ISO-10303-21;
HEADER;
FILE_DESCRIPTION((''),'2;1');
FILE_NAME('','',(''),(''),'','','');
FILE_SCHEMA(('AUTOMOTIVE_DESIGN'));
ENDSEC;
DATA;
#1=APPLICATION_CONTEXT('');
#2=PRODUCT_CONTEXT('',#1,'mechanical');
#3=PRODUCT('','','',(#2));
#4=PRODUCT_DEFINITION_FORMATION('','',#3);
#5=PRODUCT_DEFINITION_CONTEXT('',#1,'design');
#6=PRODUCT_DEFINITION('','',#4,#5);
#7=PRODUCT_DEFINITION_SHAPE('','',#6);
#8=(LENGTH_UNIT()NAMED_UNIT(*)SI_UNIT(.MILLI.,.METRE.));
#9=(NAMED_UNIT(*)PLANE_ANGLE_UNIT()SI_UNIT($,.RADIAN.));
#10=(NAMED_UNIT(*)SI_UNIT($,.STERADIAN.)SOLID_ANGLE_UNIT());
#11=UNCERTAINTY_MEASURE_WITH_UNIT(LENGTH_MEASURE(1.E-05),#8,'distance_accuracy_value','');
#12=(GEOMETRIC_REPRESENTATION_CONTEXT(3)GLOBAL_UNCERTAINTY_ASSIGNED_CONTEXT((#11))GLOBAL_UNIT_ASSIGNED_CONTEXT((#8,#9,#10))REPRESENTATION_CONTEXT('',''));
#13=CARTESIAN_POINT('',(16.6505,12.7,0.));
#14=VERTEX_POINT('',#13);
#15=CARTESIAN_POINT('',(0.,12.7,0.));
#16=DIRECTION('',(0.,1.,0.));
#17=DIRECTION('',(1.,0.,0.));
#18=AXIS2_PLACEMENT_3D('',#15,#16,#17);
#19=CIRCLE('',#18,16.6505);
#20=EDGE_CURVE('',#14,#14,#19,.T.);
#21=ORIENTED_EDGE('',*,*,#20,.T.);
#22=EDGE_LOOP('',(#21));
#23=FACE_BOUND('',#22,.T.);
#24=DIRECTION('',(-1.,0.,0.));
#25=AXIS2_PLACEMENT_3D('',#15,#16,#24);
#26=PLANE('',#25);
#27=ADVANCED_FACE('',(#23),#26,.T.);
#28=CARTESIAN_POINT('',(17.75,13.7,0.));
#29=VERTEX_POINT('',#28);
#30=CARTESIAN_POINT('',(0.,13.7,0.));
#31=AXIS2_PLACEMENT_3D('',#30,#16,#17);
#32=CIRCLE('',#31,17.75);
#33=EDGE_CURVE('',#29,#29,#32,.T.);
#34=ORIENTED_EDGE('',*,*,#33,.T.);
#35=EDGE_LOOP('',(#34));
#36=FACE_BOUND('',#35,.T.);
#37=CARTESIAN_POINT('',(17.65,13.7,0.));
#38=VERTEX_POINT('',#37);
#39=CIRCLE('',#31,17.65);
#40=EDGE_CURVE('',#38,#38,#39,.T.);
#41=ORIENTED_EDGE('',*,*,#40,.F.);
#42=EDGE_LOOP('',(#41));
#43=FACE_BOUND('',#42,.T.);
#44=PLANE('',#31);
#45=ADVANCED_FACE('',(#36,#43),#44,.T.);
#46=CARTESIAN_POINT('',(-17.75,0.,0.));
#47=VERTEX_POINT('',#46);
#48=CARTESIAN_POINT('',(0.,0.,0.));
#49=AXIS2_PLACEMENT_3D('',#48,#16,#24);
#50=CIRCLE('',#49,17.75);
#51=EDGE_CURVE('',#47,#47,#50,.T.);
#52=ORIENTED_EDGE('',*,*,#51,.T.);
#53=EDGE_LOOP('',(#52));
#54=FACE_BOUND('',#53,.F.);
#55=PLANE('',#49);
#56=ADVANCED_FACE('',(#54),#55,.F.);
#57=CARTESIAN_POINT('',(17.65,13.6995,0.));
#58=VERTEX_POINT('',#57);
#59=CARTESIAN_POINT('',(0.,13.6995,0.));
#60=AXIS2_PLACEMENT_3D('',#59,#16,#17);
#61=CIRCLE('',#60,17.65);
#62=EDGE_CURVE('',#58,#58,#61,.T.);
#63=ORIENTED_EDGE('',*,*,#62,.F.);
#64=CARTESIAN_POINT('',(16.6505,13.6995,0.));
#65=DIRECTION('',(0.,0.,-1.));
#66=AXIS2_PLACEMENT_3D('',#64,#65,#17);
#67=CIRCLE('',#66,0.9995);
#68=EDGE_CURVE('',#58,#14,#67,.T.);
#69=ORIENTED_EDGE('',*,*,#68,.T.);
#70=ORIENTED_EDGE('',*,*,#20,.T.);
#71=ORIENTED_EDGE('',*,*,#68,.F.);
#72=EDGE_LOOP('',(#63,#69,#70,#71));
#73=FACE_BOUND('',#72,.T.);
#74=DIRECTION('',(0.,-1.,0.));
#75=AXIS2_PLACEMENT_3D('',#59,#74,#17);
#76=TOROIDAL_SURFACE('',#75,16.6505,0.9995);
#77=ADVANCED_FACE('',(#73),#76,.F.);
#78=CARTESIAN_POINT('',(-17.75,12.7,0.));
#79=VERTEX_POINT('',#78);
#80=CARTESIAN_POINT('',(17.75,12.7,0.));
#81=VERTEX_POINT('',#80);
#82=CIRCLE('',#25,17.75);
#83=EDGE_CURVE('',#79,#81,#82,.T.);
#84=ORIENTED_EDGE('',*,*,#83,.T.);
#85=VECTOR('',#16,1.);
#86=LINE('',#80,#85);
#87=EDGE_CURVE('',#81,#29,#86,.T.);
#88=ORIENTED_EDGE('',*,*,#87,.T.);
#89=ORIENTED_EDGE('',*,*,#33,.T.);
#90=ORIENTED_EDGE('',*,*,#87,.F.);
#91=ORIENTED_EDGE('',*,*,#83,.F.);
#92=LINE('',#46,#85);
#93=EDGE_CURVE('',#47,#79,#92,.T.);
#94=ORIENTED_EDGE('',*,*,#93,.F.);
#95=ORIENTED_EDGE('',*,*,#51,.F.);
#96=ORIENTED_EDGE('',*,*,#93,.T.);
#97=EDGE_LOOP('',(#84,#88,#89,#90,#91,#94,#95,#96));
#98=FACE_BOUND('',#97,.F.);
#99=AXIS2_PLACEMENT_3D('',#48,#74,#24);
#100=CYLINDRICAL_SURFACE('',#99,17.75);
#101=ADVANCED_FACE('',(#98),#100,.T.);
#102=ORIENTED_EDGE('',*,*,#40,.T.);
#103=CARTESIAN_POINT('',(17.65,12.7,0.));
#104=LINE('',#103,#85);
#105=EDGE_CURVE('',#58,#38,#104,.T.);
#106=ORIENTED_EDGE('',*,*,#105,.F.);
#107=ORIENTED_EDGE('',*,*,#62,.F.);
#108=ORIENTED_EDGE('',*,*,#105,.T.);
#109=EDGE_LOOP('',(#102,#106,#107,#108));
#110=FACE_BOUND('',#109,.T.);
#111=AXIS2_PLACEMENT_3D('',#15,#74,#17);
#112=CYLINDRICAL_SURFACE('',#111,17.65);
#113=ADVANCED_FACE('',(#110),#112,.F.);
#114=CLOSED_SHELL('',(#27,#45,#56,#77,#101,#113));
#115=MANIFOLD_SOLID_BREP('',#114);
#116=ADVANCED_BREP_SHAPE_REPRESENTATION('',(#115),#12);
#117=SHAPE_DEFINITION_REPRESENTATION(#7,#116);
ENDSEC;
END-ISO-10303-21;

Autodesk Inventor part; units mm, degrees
ref_plane "YZ Plane" through (0, 0, 0) normal (1, 0, 0) x (0, 1, 0)
ref_plane "XZ Plane" through (0, 0, 0) normal (0, 1, 0) x (-1, 0, 0)
ref_plane "XY Plane" through (0, 0, 0) normal (0, 0, 1) x (1, 0, 0)
sketch "Sketch3" plane through (0, 0, 0) normal (0, 1, 0) x (-1, 0, 0)
  circle A0 centre (0, 0) radius 17.75
  dimension "d32" = 35.5
extrude "Extrusion4" add sketch "Sketch3" along normal blind 12.7
sketch "Sketch4" plane through (0, 12.7, 0) normal (0, 1, 0) x (1, 0, 0)
  circle A0 centre (0, 0) radius 17.75 projected
  circle A1 centre (0, 0) radius 17.75
  circle A2 centre (0, 0) radius 17.75 projected
  circle A3 centre (0, 0) radius 17.65
  dimension "d35" = 0.1
extrude "Extrusion5" add sketch "Sketch4" along normal blind 1
fillet "Fillet1" radius 1 1 edges at (-17.65, 12.7, 0)
equation "\"d32\" = iciclesPlugD"
equation "\"d33\" = chairThickness"
equation "\"moduleHeight\" = 96"
equation "\"moduleMountD\" = 6.8"
equation "\"moduleCornerR\" = 5"
equation "\"d4\" = moduleCornerR"
equation "\"d5\" = moduleMountD"
equation "\"d6\" = moduleMountD"
equation "\"d8\" = moduleMountD"
equation "\"d10\" = moduleMountD"
equation "\"moduleOpeningR\" = 25"
equation "\"d13\" = moduleOpeningR"
equation "\"thickness\" = 6"
equation "\"d15\" = thickness"
equation "\"d16\" = 0"
equation "\"iciclesMountD\" = 42.5"
equation "\"d17\" = iciclesMountD"
equation "\"clearanceM3\" = 3.6"
equation "\"d18\" = clearanceM3"
equation "\"d21\" = 360deg"
equation "\"d0\" = moduleHeight"
equation "\"iciclesBaseOuterD\" = 48"
equation "\"iciclesPlugD\" = 35.5"
equation "\"chairThickness\" = 12.7"
equation "\"isiclesBaseThickness\" = 3"
properties part number "Module_bottom_Icicles26_v2_3DPrint"
